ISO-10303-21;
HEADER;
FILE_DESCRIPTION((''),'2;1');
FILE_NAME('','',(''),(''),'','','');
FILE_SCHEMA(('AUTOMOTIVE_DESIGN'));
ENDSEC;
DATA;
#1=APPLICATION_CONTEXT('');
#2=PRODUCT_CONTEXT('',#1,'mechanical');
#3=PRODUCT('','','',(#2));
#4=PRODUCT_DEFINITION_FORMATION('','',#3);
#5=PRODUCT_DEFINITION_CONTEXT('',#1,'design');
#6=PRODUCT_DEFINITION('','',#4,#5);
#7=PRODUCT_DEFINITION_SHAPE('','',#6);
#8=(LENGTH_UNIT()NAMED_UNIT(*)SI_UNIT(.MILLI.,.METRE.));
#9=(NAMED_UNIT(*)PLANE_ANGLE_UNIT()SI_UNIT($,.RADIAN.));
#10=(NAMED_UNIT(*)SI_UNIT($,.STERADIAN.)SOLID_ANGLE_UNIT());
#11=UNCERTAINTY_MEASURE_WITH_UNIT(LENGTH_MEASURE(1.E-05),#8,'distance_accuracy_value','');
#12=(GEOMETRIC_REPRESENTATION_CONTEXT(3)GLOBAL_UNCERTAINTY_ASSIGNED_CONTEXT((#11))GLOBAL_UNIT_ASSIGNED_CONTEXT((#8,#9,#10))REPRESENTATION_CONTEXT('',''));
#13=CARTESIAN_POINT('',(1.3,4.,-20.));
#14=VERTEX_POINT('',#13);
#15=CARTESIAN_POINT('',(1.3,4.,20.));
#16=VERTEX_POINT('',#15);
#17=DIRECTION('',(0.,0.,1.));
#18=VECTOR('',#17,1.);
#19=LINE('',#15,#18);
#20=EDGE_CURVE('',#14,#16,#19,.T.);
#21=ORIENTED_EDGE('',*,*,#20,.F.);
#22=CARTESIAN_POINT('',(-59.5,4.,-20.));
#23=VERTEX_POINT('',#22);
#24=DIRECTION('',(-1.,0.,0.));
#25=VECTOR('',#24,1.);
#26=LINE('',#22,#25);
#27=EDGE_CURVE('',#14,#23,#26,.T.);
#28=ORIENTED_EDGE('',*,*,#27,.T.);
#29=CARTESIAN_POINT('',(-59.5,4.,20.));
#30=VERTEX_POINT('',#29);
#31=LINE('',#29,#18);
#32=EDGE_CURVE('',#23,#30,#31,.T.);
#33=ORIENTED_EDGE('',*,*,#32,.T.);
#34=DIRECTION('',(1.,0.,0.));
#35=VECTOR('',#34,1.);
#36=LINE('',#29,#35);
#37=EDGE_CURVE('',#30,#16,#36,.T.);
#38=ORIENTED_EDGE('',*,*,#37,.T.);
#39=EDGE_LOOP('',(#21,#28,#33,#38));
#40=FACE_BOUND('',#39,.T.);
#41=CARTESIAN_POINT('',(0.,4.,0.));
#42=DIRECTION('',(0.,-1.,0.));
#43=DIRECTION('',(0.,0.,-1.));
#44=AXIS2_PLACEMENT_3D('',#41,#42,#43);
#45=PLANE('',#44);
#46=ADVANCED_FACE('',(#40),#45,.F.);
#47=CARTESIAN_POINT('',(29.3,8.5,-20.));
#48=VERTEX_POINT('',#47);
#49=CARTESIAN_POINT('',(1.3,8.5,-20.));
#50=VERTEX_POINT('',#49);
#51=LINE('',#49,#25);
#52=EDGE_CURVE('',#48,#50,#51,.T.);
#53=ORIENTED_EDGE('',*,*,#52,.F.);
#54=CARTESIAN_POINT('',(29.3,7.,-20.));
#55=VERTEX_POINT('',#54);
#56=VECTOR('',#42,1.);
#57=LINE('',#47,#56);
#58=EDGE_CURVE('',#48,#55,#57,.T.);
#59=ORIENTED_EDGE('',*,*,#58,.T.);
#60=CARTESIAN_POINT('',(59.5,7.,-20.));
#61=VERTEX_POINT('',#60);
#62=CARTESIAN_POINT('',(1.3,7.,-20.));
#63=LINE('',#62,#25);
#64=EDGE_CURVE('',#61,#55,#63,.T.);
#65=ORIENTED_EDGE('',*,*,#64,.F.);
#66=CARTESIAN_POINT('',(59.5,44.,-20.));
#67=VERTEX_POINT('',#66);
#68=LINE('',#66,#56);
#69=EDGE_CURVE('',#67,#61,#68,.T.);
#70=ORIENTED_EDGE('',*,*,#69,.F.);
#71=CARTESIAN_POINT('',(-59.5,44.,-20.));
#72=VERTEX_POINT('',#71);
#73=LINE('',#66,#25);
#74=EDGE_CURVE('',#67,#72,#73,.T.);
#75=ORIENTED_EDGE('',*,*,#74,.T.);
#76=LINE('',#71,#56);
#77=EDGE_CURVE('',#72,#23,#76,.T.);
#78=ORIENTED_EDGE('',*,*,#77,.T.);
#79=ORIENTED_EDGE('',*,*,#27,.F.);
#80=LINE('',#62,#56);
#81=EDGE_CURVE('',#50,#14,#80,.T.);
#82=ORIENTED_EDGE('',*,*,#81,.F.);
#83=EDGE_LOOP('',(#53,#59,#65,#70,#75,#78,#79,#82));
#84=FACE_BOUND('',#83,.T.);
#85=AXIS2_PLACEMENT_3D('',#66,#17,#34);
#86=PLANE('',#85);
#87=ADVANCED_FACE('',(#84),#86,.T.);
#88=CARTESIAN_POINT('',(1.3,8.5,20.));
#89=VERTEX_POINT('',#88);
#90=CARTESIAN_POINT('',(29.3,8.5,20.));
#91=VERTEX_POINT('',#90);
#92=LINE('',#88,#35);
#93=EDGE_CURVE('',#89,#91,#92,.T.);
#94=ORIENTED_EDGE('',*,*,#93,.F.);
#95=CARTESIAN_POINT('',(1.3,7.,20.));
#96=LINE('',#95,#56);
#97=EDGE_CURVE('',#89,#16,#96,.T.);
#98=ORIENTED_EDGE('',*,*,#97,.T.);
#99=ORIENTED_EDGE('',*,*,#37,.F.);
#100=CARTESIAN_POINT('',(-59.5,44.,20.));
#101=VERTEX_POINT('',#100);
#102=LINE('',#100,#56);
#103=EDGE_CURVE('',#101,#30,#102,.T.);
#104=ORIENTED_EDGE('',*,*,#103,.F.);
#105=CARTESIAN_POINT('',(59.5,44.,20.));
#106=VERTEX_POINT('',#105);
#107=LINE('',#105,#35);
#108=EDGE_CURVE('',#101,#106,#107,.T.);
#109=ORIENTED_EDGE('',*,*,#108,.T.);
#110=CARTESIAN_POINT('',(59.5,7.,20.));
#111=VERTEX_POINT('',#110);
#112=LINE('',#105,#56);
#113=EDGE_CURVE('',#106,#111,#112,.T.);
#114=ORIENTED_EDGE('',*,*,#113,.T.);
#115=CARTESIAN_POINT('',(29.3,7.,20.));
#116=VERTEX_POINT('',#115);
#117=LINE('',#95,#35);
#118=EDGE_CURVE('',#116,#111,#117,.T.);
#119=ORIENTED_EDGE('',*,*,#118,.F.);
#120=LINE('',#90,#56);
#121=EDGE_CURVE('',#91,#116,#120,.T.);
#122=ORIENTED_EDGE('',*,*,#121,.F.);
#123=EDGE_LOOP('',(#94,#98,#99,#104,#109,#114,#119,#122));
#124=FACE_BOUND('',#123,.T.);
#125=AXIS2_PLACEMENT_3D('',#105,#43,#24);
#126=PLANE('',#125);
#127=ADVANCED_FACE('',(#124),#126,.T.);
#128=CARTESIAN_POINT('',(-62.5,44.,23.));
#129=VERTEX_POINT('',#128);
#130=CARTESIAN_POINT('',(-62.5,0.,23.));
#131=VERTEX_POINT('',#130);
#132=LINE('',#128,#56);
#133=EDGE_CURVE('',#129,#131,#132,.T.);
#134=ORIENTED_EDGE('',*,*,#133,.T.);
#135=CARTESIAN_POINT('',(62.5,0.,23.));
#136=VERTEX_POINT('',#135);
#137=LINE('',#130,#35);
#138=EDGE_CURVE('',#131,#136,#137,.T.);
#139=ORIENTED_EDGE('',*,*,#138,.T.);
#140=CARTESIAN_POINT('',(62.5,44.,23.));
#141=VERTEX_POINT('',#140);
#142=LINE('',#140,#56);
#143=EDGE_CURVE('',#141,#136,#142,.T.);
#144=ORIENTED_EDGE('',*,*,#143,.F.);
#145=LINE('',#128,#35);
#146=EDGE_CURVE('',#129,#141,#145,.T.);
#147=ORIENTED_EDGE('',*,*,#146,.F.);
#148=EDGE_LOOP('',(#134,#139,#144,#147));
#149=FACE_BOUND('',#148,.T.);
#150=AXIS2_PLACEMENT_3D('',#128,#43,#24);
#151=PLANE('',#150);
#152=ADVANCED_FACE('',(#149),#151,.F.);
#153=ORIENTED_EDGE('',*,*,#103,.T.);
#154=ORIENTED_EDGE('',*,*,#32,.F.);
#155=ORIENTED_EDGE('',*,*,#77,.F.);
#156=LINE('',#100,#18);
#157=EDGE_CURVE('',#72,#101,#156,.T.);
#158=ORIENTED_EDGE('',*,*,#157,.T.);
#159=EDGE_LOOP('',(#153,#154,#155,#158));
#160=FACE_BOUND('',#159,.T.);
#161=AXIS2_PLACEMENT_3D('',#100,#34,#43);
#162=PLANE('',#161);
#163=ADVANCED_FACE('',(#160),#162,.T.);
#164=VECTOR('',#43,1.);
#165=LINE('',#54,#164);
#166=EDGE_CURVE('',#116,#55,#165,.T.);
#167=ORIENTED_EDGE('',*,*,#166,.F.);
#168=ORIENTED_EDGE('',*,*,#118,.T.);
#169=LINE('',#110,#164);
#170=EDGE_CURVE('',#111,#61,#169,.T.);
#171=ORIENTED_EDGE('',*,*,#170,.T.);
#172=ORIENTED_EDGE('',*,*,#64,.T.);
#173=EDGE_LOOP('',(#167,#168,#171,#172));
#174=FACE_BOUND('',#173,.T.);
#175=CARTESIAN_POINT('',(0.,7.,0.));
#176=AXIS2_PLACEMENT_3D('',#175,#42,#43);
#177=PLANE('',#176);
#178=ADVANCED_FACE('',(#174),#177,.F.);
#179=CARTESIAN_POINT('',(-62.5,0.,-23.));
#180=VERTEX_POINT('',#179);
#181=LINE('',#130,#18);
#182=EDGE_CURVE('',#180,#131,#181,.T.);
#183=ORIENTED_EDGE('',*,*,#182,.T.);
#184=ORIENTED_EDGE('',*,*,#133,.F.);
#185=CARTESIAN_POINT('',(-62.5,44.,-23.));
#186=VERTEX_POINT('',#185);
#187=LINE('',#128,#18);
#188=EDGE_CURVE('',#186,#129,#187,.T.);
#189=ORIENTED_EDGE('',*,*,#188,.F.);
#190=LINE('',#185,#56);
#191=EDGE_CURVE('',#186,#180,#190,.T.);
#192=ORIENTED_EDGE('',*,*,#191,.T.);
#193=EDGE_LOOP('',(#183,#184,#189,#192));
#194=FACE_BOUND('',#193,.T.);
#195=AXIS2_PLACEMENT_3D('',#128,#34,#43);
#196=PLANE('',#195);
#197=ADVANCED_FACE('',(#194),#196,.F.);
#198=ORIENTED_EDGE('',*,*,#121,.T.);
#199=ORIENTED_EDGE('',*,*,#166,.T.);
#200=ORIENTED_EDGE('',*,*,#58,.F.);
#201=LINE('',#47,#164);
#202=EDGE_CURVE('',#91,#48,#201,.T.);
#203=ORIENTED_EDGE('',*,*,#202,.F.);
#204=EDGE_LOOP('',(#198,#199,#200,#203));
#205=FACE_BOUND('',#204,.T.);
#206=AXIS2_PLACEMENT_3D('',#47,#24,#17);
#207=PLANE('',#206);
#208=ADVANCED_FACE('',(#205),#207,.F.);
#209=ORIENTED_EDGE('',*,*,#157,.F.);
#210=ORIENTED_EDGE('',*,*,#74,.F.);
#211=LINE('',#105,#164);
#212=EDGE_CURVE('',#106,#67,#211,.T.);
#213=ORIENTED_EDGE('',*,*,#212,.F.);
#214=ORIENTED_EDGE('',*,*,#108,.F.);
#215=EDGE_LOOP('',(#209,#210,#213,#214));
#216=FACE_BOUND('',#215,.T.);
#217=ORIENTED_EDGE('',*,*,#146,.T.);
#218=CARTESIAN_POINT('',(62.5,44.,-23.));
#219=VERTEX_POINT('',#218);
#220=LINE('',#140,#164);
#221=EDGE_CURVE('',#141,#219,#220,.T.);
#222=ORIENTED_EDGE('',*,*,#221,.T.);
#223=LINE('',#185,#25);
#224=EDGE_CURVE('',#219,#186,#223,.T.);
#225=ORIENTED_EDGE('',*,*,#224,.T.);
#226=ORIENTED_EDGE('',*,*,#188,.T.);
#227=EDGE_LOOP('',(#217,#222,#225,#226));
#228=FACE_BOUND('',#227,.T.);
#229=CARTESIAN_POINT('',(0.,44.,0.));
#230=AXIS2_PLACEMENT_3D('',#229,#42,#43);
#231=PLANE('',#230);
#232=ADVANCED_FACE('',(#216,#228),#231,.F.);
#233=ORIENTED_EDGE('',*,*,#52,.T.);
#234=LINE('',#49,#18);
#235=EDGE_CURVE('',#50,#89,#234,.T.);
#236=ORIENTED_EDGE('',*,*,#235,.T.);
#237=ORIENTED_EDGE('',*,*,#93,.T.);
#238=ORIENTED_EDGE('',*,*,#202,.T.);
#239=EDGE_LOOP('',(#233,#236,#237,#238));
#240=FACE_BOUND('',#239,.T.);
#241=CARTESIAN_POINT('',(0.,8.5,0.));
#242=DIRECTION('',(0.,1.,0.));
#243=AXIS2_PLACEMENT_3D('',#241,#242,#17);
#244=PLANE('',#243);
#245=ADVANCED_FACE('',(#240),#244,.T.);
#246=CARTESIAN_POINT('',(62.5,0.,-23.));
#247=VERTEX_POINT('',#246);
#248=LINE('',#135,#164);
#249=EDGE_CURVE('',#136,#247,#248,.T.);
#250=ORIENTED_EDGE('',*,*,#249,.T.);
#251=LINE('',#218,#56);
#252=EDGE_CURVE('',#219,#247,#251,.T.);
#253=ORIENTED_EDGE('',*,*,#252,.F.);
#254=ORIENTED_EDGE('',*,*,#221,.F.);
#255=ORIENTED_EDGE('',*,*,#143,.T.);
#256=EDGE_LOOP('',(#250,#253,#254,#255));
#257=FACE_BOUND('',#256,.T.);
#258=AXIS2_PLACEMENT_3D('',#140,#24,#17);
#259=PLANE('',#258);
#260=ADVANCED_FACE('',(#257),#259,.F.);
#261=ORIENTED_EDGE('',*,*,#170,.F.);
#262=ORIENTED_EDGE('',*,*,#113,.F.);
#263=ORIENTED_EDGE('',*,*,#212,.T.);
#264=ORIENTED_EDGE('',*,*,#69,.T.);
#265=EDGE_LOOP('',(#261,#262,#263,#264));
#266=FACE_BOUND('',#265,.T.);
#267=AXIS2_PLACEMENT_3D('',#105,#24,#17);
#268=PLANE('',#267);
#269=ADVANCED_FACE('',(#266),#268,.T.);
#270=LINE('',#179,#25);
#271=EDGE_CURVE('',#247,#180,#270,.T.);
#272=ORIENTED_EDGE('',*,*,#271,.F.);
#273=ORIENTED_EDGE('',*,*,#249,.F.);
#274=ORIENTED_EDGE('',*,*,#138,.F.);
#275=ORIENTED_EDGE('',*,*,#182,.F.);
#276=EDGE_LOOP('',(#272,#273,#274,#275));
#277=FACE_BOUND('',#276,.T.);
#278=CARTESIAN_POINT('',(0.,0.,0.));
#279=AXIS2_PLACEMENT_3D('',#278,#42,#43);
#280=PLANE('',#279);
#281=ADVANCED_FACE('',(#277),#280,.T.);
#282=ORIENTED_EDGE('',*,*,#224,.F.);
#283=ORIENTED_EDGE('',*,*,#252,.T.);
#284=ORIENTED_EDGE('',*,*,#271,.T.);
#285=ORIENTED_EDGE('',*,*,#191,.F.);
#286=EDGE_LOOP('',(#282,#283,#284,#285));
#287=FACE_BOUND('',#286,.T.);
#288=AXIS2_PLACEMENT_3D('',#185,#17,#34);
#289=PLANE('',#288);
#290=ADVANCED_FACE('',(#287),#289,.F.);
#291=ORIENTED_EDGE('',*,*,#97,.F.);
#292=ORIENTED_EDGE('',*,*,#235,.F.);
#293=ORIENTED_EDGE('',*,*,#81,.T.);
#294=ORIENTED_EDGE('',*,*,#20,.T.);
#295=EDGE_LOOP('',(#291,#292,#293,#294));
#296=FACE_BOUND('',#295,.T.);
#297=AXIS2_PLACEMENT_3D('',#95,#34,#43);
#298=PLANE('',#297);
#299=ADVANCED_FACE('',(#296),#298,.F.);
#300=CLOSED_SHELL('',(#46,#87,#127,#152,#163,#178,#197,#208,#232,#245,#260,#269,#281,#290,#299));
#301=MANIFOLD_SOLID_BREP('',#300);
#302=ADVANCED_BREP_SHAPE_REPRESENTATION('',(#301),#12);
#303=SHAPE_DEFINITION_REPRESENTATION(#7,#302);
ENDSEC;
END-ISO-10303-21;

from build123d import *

# Parameters (mm, degrees)
SKETCH1_W           = 119
SKETCH1_H           = 40
BOSS_EXTRUDE1_DEPTH = 4
SKETCH2_W           = 125
SKETCH2_H           = 46
SKETCH2_W_2         = 119
SKETCH2_H_2         = 40
BOSS_EXTRUDE2_DEPTH = 44
SKETCH3_W           = 58.2
SKETCH3_H           = 40
BOSS_EXTRUDE3_DEPTH = 3
SKETCH4_W           = 28
SKETCH4_H           = 40
BOSS_EXTRUDE4_DEPTH = 1.5


with BuildPart() as part:
    # Sketch1 → Boss-Extrude1 (new body)
    with BuildSketch(Plane(origin=(0, 0, 0), x_dir=(1, 0, 0), z_dir=(0, 1, 0))):
        Rectangle(SKETCH1_W, SKETCH1_H)
    extrude(amount=BOSS_EXTRUDE1_DEPTH)

    # Sketch2 → Boss-Extrude2 (add)
    with BuildSketch(Plane(origin=(0, 0, 0), x_dir=(1, 0, 0), z_dir=(0, 1, 0))):
        Rectangle(SKETCH2_W, SKETCH2_H)
        Rectangle(SKETCH2_W_2, SKETCH2_H_2, mode=Mode.SUBTRACT)
    extrude(amount=BOSS_EXTRUDE2_DEPTH)

    # Sketch3 → Boss-Extrude3 (add)
    with BuildSketch(Plane(origin=(0, 4, 0), x_dir=(1, 0, 0), z_dir=(0, 1, 0))):
        with Locations((30.4, 0)):
            Rectangle(SKETCH3_W, SKETCH3_H)
    extrude(amount=BOSS_EXTRUDE3_DEPTH)

    # Sketch4 → Boss-Extrude4 (add)
    with BuildSketch(Plane(origin=(0, 7, 0), x_dir=(1, 0, 0), z_dir=(0, 1, 0))):
        with Locations((15.3, 0)):
            Rectangle(SKETCH4_W, SKETCH4_H)
    extrude(amount=BOSS_EXTRUDE4_DEPTH)


solid = part.part
